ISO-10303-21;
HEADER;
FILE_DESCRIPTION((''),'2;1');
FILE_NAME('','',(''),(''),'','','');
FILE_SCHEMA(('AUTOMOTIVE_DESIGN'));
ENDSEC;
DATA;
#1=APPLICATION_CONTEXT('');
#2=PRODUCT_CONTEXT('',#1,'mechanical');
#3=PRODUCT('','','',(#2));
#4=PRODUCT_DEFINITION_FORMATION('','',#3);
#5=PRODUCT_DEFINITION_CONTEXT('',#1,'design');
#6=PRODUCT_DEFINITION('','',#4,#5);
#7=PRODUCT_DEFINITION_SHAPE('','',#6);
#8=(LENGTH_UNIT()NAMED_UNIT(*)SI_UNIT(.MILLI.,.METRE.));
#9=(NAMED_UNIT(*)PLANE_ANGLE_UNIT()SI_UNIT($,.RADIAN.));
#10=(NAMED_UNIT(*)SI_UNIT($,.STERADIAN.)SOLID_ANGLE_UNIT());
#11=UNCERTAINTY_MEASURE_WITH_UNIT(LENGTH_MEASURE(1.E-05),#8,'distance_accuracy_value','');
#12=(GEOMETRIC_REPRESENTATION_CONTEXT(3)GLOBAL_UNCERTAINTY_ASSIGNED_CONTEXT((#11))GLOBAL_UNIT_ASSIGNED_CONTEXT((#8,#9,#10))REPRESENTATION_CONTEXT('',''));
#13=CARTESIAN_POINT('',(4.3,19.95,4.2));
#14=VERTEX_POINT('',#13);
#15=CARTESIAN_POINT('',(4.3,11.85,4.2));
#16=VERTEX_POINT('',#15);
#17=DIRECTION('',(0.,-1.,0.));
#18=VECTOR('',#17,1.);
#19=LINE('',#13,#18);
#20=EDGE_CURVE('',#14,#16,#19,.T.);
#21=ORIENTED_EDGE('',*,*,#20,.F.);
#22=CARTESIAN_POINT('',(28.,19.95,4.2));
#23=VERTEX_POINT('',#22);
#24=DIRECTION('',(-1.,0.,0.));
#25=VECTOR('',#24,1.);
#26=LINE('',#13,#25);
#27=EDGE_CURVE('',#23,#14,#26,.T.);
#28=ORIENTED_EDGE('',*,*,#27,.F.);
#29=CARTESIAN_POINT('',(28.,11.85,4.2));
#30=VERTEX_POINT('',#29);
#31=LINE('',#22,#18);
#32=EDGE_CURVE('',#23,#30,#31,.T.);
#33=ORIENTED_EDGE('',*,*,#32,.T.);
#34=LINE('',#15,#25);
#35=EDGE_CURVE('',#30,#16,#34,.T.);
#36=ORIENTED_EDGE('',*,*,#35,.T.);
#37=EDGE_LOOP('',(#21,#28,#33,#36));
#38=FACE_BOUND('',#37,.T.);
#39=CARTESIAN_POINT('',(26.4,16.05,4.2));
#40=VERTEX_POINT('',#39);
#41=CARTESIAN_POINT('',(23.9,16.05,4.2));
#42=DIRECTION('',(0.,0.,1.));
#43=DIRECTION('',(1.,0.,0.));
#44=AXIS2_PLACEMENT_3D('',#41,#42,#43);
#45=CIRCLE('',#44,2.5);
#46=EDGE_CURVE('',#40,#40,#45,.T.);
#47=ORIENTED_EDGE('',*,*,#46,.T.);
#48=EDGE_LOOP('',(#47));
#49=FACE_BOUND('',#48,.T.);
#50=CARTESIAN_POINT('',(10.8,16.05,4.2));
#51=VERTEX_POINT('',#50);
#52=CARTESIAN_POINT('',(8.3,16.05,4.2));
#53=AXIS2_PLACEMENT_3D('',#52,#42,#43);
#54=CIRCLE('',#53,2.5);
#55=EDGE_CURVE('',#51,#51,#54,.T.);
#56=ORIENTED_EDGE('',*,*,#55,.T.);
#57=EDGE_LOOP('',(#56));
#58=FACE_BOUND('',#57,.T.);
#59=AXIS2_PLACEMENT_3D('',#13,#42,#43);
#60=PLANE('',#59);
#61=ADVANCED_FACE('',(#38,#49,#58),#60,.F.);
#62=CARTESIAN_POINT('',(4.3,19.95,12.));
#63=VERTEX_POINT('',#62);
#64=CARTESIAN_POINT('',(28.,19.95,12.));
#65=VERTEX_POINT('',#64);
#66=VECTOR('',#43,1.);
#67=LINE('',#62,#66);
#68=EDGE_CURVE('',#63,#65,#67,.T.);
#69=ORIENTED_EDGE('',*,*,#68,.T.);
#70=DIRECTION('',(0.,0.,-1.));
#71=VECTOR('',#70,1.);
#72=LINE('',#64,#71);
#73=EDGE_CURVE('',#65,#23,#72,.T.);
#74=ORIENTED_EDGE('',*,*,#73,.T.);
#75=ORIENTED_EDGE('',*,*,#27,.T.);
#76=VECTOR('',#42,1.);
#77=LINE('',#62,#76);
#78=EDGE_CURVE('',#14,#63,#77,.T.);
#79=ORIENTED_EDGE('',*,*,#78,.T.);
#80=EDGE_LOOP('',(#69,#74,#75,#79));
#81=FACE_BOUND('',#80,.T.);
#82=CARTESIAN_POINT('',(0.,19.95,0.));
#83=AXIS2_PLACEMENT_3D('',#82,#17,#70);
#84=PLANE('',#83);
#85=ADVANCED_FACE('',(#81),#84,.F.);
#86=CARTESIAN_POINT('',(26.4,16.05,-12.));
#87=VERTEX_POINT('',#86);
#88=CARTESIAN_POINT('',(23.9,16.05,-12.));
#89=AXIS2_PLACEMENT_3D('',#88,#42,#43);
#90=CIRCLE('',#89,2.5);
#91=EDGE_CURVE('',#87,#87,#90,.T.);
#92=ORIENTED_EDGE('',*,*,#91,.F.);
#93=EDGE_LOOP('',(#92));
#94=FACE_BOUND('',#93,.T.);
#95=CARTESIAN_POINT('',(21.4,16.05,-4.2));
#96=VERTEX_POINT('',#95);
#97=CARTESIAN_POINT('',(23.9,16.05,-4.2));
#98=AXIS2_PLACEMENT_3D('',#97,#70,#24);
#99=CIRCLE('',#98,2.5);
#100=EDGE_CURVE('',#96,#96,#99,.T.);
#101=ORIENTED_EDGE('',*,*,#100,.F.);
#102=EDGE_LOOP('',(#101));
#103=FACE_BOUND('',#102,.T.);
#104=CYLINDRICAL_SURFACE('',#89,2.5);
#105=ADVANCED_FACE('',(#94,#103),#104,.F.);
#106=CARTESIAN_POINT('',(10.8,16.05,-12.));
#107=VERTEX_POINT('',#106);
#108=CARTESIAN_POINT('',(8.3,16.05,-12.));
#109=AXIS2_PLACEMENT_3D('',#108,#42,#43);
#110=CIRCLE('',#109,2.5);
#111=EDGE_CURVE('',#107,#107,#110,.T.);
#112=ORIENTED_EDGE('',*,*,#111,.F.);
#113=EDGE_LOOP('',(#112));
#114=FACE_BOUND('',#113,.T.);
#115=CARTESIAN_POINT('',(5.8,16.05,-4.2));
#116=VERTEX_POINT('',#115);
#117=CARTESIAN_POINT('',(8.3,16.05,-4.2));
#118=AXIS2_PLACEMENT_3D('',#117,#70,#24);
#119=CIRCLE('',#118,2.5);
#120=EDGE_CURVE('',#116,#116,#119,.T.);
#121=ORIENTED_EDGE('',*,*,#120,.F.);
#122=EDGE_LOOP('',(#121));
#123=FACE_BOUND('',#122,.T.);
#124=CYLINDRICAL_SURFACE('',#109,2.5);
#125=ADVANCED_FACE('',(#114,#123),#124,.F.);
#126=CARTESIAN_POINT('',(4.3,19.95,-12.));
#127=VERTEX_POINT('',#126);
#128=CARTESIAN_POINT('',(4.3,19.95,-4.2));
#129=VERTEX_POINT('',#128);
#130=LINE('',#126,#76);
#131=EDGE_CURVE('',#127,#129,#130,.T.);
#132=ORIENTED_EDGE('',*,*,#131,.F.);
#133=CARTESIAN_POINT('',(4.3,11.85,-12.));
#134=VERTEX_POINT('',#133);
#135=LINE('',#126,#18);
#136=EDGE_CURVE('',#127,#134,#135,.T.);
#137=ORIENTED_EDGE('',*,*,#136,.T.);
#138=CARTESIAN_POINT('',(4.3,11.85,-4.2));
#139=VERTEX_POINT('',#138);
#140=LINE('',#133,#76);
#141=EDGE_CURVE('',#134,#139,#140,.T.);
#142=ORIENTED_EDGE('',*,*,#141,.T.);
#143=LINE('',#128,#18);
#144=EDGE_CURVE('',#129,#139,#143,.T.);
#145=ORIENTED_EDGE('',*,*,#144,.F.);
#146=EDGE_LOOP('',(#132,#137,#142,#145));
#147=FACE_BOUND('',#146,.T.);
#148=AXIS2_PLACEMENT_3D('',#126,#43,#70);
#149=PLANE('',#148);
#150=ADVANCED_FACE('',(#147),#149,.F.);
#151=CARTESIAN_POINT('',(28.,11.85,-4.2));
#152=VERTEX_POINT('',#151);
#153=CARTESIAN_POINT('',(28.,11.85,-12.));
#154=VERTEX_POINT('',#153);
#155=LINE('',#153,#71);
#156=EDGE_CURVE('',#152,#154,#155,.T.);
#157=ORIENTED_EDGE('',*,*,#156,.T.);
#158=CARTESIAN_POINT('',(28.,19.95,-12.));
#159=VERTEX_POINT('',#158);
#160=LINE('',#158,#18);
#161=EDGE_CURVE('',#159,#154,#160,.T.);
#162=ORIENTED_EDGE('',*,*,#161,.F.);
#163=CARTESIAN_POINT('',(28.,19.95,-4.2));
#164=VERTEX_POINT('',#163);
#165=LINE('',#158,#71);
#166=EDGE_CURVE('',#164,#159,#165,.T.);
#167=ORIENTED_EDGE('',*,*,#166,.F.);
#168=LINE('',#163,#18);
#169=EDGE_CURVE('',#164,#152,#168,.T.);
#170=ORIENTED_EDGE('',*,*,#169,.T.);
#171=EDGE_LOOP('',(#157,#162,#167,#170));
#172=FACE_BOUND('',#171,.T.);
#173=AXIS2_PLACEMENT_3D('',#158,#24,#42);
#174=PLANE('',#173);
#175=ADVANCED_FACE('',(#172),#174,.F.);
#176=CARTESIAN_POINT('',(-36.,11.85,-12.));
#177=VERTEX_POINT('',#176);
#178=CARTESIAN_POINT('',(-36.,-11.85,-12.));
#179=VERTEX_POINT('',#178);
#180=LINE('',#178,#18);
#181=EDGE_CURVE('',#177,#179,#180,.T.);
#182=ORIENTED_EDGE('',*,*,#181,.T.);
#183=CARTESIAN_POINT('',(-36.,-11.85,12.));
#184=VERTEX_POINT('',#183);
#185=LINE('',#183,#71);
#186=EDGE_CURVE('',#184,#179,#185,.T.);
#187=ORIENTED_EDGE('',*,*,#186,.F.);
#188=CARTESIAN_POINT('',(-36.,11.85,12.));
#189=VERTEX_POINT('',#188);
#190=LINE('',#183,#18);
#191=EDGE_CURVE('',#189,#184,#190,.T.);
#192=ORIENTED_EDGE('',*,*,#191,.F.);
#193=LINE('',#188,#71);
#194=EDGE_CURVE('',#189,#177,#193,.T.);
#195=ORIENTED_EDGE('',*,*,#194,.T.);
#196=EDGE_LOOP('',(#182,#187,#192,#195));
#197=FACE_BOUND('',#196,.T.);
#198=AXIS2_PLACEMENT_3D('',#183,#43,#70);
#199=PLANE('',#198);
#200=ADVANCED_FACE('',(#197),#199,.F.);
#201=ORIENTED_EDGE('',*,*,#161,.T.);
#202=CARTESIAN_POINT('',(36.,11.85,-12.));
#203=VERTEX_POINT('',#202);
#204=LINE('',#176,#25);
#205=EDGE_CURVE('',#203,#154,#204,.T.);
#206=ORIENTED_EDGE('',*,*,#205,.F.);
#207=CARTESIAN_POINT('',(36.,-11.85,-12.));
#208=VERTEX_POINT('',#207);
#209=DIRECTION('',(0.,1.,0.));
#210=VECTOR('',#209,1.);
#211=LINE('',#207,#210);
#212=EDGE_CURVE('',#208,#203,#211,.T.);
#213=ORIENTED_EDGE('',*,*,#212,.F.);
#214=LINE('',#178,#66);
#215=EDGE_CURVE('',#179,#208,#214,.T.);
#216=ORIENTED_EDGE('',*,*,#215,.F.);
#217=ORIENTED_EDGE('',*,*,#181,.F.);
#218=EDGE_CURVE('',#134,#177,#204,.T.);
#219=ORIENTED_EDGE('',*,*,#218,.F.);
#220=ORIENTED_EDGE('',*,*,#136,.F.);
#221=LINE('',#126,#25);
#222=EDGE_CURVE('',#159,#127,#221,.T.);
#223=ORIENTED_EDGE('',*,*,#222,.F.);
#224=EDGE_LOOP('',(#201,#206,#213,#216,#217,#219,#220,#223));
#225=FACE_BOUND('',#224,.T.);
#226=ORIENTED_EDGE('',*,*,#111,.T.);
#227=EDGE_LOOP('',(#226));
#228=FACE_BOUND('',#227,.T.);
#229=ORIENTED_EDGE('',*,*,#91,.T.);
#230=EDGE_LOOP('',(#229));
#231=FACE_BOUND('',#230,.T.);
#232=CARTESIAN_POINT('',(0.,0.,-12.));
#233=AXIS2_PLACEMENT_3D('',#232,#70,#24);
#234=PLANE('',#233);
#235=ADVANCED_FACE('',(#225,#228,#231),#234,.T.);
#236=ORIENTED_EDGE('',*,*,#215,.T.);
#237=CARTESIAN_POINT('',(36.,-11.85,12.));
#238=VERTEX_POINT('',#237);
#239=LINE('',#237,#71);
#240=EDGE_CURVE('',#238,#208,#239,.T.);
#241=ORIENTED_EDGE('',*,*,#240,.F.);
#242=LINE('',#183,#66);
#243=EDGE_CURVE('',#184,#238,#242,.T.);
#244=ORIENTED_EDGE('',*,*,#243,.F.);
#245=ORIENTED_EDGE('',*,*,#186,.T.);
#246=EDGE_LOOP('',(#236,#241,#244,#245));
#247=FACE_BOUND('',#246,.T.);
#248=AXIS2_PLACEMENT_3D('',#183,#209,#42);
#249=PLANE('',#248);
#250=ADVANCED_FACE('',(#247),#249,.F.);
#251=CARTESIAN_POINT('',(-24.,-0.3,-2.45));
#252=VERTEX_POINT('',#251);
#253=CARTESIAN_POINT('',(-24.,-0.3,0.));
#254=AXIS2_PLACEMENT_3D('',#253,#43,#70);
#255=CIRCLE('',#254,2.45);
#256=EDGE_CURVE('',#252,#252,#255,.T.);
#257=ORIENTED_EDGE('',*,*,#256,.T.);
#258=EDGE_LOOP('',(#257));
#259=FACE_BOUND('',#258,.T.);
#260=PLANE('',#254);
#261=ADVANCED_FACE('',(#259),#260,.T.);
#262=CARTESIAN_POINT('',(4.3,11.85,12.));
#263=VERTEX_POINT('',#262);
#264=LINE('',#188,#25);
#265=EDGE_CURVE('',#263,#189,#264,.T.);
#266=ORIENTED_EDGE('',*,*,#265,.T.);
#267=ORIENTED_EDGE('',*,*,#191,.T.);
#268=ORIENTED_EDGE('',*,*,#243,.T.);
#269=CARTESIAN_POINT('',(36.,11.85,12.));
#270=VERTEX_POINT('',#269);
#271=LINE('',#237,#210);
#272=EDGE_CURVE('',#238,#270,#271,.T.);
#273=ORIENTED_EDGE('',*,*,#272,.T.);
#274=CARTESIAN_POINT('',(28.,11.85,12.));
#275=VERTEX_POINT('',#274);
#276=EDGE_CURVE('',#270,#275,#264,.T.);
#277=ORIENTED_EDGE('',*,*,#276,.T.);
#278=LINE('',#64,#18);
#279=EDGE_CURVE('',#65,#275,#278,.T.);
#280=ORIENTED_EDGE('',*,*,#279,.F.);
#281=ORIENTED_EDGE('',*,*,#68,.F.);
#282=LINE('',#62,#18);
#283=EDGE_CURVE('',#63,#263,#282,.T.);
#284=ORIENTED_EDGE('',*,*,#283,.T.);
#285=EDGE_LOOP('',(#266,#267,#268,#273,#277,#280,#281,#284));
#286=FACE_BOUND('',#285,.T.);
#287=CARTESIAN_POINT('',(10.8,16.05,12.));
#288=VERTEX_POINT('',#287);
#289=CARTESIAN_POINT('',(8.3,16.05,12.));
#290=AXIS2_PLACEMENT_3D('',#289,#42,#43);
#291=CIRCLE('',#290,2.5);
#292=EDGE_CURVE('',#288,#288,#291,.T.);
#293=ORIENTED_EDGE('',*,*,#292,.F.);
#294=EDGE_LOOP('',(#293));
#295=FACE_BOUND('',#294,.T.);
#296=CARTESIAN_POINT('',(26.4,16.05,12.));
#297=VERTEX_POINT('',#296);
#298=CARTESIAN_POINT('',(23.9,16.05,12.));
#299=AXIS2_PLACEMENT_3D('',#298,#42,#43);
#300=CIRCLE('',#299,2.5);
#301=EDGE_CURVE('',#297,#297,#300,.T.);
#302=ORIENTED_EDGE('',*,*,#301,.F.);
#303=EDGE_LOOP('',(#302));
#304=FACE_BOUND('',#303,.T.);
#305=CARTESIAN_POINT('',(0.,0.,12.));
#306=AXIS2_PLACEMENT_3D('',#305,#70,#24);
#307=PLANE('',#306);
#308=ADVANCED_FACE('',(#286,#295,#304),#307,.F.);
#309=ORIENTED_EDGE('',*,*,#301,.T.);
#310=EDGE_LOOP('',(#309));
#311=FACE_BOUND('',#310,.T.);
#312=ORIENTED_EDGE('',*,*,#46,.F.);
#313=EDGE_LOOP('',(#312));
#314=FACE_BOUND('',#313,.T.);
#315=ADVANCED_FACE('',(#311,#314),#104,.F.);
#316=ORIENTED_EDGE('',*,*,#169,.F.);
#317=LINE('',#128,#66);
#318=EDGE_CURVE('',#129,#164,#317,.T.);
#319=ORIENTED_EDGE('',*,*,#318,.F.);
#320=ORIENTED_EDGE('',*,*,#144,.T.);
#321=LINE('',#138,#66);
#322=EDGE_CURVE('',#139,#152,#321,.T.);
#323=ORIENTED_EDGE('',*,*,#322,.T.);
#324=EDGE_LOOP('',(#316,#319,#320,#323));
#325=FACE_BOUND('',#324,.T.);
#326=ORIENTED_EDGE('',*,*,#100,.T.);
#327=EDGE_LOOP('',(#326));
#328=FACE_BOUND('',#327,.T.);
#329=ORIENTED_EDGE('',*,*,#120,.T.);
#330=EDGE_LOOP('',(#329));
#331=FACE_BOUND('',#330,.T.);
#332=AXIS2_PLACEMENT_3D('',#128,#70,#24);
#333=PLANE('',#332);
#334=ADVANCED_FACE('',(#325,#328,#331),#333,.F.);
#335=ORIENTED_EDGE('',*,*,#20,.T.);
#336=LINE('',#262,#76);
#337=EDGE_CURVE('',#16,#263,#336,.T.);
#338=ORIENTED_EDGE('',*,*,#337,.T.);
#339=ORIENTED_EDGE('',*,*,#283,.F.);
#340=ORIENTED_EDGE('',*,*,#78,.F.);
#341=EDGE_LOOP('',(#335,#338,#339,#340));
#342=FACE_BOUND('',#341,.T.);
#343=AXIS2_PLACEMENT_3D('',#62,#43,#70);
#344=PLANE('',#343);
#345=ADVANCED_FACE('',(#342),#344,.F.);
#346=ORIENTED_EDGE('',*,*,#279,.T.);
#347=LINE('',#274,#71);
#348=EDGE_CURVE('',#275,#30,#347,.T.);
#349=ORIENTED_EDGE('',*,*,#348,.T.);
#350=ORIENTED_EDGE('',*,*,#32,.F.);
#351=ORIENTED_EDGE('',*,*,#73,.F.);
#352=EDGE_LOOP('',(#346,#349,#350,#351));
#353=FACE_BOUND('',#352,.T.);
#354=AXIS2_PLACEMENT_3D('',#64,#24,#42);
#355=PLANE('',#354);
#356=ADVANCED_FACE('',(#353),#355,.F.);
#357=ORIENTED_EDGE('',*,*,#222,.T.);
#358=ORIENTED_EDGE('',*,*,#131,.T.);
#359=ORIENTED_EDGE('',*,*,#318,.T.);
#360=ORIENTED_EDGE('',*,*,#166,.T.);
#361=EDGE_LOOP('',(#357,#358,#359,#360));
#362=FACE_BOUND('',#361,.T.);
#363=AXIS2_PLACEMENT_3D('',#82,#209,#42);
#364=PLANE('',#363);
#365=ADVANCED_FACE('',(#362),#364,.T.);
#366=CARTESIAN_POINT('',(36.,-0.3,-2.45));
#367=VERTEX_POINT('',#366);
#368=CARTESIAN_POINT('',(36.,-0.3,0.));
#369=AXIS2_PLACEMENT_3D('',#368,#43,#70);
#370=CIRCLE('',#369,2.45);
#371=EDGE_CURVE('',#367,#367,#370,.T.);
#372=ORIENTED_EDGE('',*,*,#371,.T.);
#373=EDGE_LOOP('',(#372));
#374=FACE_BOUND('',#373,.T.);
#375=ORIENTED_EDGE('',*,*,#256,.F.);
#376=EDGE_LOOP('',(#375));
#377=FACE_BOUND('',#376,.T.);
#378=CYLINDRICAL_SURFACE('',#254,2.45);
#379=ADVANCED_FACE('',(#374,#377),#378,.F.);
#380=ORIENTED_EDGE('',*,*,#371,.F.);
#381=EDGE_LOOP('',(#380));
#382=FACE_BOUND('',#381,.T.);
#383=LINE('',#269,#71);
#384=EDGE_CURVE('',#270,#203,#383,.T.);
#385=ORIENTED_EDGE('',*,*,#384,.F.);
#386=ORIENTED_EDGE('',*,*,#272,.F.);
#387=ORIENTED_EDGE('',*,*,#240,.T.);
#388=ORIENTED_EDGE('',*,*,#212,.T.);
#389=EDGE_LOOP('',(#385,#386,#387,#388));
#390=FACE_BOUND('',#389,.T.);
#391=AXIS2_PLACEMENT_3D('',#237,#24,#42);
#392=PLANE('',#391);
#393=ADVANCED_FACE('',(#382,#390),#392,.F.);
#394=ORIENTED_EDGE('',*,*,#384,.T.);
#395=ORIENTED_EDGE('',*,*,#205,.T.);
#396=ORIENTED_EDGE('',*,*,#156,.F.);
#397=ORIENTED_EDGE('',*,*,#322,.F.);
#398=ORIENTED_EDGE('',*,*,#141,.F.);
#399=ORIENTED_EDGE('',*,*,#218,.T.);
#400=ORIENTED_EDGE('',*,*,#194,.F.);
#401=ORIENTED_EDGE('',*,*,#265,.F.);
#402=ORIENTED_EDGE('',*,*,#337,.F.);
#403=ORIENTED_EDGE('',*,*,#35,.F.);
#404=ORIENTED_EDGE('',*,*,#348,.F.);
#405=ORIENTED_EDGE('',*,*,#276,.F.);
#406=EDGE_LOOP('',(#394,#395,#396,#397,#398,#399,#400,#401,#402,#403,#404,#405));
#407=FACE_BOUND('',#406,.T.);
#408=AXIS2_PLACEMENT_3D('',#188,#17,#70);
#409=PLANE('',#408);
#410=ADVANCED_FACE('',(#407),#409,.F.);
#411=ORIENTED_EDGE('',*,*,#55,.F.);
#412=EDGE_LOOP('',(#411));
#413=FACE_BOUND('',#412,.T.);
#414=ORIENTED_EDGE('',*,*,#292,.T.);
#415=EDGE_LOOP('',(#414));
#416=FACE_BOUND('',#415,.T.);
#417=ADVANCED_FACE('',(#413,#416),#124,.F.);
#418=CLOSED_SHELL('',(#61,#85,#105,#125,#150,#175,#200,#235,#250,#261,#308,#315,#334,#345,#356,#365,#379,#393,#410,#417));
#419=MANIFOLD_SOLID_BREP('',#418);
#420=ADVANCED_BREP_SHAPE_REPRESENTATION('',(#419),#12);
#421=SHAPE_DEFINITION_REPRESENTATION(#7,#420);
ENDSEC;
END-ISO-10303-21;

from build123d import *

# Parameters (mm, degrees)
SKETCH1_W               = 72
SKETCH1_H               = 23.7
BOSS_EXTRUDE1_DEPTH     = 12
SKETCH3_W               = 23.7
SKETCH3_H               = 7.8
BOSS_EXTRUDE2_DEPTH     = 8.1
SKETCH2_R               = 2.45
CUT_EXTRUDE1_DEPTH      = 60
CUT_EXTRUDE2_DEPTH      = 43.871931377
CUT_EXTRUDE2_DEPTH_BACK = 43.871931377
SKETCH4_R               = 2.5


with BuildPart() as part:
    # Sketch1 → Boss-Extrude1 (new, symmetric)
    with BuildSketch(Plane.XY):
        Rectangle(SKETCH1_W, SKETCH1_H)
    extrude(amount=BOSS_EXTRUDE1_DEPTH, both=True)

    # Sketch3 → Boss-Extrude2 (add)
    with BuildSketch(Plane(origin=(0, 11.85, 0), x_dir=(1, 0, 0), z_dir=(0, 1, 0))):
        with Locations((16.15, -8.1)):
            Rectangle(SKETCH3_W, SKETCH3_H)
        with Locations((16.15, 8.1)):
            Rectangle(SKETCH3_W, SKETCH3_H)
    extrude(amount=BOSS_EXTRUDE2_DEPTH)

    # Sketch2 → Cut-Extrude1 (cut)
    with BuildSketch(Plane(origin=(36, 0, 0), x_dir=(0, 0, -1), z_dir=(1, 0, 0))):
        with Locations((0, -0.3)):
            Circle(SKETCH2_R)
    extrude(amount=-CUT_EXTRUDE1_DEPTH, mode=Mode.SUBTRACT)

    # Sketch4 → Cut-Extrude2 (cut, two sides: drawn at the far end of the back side and taken through both)
    with BuildSketch(Plane.XY.offset(-CUT_EXTRUDE2_DEPTH_BACK)):
        with Locations((8.3, 16.05)):
            Circle(SKETCH4_R)
        with Locations((23.9, 16.05)):
            Circle(SKETCH4_R)
    extrude(amount=CUT_EXTRUDE2_DEPTH + CUT_EXTRUDE2_DEPTH_BACK, mode=Mode.SUBTRACT)


solid = part.part
